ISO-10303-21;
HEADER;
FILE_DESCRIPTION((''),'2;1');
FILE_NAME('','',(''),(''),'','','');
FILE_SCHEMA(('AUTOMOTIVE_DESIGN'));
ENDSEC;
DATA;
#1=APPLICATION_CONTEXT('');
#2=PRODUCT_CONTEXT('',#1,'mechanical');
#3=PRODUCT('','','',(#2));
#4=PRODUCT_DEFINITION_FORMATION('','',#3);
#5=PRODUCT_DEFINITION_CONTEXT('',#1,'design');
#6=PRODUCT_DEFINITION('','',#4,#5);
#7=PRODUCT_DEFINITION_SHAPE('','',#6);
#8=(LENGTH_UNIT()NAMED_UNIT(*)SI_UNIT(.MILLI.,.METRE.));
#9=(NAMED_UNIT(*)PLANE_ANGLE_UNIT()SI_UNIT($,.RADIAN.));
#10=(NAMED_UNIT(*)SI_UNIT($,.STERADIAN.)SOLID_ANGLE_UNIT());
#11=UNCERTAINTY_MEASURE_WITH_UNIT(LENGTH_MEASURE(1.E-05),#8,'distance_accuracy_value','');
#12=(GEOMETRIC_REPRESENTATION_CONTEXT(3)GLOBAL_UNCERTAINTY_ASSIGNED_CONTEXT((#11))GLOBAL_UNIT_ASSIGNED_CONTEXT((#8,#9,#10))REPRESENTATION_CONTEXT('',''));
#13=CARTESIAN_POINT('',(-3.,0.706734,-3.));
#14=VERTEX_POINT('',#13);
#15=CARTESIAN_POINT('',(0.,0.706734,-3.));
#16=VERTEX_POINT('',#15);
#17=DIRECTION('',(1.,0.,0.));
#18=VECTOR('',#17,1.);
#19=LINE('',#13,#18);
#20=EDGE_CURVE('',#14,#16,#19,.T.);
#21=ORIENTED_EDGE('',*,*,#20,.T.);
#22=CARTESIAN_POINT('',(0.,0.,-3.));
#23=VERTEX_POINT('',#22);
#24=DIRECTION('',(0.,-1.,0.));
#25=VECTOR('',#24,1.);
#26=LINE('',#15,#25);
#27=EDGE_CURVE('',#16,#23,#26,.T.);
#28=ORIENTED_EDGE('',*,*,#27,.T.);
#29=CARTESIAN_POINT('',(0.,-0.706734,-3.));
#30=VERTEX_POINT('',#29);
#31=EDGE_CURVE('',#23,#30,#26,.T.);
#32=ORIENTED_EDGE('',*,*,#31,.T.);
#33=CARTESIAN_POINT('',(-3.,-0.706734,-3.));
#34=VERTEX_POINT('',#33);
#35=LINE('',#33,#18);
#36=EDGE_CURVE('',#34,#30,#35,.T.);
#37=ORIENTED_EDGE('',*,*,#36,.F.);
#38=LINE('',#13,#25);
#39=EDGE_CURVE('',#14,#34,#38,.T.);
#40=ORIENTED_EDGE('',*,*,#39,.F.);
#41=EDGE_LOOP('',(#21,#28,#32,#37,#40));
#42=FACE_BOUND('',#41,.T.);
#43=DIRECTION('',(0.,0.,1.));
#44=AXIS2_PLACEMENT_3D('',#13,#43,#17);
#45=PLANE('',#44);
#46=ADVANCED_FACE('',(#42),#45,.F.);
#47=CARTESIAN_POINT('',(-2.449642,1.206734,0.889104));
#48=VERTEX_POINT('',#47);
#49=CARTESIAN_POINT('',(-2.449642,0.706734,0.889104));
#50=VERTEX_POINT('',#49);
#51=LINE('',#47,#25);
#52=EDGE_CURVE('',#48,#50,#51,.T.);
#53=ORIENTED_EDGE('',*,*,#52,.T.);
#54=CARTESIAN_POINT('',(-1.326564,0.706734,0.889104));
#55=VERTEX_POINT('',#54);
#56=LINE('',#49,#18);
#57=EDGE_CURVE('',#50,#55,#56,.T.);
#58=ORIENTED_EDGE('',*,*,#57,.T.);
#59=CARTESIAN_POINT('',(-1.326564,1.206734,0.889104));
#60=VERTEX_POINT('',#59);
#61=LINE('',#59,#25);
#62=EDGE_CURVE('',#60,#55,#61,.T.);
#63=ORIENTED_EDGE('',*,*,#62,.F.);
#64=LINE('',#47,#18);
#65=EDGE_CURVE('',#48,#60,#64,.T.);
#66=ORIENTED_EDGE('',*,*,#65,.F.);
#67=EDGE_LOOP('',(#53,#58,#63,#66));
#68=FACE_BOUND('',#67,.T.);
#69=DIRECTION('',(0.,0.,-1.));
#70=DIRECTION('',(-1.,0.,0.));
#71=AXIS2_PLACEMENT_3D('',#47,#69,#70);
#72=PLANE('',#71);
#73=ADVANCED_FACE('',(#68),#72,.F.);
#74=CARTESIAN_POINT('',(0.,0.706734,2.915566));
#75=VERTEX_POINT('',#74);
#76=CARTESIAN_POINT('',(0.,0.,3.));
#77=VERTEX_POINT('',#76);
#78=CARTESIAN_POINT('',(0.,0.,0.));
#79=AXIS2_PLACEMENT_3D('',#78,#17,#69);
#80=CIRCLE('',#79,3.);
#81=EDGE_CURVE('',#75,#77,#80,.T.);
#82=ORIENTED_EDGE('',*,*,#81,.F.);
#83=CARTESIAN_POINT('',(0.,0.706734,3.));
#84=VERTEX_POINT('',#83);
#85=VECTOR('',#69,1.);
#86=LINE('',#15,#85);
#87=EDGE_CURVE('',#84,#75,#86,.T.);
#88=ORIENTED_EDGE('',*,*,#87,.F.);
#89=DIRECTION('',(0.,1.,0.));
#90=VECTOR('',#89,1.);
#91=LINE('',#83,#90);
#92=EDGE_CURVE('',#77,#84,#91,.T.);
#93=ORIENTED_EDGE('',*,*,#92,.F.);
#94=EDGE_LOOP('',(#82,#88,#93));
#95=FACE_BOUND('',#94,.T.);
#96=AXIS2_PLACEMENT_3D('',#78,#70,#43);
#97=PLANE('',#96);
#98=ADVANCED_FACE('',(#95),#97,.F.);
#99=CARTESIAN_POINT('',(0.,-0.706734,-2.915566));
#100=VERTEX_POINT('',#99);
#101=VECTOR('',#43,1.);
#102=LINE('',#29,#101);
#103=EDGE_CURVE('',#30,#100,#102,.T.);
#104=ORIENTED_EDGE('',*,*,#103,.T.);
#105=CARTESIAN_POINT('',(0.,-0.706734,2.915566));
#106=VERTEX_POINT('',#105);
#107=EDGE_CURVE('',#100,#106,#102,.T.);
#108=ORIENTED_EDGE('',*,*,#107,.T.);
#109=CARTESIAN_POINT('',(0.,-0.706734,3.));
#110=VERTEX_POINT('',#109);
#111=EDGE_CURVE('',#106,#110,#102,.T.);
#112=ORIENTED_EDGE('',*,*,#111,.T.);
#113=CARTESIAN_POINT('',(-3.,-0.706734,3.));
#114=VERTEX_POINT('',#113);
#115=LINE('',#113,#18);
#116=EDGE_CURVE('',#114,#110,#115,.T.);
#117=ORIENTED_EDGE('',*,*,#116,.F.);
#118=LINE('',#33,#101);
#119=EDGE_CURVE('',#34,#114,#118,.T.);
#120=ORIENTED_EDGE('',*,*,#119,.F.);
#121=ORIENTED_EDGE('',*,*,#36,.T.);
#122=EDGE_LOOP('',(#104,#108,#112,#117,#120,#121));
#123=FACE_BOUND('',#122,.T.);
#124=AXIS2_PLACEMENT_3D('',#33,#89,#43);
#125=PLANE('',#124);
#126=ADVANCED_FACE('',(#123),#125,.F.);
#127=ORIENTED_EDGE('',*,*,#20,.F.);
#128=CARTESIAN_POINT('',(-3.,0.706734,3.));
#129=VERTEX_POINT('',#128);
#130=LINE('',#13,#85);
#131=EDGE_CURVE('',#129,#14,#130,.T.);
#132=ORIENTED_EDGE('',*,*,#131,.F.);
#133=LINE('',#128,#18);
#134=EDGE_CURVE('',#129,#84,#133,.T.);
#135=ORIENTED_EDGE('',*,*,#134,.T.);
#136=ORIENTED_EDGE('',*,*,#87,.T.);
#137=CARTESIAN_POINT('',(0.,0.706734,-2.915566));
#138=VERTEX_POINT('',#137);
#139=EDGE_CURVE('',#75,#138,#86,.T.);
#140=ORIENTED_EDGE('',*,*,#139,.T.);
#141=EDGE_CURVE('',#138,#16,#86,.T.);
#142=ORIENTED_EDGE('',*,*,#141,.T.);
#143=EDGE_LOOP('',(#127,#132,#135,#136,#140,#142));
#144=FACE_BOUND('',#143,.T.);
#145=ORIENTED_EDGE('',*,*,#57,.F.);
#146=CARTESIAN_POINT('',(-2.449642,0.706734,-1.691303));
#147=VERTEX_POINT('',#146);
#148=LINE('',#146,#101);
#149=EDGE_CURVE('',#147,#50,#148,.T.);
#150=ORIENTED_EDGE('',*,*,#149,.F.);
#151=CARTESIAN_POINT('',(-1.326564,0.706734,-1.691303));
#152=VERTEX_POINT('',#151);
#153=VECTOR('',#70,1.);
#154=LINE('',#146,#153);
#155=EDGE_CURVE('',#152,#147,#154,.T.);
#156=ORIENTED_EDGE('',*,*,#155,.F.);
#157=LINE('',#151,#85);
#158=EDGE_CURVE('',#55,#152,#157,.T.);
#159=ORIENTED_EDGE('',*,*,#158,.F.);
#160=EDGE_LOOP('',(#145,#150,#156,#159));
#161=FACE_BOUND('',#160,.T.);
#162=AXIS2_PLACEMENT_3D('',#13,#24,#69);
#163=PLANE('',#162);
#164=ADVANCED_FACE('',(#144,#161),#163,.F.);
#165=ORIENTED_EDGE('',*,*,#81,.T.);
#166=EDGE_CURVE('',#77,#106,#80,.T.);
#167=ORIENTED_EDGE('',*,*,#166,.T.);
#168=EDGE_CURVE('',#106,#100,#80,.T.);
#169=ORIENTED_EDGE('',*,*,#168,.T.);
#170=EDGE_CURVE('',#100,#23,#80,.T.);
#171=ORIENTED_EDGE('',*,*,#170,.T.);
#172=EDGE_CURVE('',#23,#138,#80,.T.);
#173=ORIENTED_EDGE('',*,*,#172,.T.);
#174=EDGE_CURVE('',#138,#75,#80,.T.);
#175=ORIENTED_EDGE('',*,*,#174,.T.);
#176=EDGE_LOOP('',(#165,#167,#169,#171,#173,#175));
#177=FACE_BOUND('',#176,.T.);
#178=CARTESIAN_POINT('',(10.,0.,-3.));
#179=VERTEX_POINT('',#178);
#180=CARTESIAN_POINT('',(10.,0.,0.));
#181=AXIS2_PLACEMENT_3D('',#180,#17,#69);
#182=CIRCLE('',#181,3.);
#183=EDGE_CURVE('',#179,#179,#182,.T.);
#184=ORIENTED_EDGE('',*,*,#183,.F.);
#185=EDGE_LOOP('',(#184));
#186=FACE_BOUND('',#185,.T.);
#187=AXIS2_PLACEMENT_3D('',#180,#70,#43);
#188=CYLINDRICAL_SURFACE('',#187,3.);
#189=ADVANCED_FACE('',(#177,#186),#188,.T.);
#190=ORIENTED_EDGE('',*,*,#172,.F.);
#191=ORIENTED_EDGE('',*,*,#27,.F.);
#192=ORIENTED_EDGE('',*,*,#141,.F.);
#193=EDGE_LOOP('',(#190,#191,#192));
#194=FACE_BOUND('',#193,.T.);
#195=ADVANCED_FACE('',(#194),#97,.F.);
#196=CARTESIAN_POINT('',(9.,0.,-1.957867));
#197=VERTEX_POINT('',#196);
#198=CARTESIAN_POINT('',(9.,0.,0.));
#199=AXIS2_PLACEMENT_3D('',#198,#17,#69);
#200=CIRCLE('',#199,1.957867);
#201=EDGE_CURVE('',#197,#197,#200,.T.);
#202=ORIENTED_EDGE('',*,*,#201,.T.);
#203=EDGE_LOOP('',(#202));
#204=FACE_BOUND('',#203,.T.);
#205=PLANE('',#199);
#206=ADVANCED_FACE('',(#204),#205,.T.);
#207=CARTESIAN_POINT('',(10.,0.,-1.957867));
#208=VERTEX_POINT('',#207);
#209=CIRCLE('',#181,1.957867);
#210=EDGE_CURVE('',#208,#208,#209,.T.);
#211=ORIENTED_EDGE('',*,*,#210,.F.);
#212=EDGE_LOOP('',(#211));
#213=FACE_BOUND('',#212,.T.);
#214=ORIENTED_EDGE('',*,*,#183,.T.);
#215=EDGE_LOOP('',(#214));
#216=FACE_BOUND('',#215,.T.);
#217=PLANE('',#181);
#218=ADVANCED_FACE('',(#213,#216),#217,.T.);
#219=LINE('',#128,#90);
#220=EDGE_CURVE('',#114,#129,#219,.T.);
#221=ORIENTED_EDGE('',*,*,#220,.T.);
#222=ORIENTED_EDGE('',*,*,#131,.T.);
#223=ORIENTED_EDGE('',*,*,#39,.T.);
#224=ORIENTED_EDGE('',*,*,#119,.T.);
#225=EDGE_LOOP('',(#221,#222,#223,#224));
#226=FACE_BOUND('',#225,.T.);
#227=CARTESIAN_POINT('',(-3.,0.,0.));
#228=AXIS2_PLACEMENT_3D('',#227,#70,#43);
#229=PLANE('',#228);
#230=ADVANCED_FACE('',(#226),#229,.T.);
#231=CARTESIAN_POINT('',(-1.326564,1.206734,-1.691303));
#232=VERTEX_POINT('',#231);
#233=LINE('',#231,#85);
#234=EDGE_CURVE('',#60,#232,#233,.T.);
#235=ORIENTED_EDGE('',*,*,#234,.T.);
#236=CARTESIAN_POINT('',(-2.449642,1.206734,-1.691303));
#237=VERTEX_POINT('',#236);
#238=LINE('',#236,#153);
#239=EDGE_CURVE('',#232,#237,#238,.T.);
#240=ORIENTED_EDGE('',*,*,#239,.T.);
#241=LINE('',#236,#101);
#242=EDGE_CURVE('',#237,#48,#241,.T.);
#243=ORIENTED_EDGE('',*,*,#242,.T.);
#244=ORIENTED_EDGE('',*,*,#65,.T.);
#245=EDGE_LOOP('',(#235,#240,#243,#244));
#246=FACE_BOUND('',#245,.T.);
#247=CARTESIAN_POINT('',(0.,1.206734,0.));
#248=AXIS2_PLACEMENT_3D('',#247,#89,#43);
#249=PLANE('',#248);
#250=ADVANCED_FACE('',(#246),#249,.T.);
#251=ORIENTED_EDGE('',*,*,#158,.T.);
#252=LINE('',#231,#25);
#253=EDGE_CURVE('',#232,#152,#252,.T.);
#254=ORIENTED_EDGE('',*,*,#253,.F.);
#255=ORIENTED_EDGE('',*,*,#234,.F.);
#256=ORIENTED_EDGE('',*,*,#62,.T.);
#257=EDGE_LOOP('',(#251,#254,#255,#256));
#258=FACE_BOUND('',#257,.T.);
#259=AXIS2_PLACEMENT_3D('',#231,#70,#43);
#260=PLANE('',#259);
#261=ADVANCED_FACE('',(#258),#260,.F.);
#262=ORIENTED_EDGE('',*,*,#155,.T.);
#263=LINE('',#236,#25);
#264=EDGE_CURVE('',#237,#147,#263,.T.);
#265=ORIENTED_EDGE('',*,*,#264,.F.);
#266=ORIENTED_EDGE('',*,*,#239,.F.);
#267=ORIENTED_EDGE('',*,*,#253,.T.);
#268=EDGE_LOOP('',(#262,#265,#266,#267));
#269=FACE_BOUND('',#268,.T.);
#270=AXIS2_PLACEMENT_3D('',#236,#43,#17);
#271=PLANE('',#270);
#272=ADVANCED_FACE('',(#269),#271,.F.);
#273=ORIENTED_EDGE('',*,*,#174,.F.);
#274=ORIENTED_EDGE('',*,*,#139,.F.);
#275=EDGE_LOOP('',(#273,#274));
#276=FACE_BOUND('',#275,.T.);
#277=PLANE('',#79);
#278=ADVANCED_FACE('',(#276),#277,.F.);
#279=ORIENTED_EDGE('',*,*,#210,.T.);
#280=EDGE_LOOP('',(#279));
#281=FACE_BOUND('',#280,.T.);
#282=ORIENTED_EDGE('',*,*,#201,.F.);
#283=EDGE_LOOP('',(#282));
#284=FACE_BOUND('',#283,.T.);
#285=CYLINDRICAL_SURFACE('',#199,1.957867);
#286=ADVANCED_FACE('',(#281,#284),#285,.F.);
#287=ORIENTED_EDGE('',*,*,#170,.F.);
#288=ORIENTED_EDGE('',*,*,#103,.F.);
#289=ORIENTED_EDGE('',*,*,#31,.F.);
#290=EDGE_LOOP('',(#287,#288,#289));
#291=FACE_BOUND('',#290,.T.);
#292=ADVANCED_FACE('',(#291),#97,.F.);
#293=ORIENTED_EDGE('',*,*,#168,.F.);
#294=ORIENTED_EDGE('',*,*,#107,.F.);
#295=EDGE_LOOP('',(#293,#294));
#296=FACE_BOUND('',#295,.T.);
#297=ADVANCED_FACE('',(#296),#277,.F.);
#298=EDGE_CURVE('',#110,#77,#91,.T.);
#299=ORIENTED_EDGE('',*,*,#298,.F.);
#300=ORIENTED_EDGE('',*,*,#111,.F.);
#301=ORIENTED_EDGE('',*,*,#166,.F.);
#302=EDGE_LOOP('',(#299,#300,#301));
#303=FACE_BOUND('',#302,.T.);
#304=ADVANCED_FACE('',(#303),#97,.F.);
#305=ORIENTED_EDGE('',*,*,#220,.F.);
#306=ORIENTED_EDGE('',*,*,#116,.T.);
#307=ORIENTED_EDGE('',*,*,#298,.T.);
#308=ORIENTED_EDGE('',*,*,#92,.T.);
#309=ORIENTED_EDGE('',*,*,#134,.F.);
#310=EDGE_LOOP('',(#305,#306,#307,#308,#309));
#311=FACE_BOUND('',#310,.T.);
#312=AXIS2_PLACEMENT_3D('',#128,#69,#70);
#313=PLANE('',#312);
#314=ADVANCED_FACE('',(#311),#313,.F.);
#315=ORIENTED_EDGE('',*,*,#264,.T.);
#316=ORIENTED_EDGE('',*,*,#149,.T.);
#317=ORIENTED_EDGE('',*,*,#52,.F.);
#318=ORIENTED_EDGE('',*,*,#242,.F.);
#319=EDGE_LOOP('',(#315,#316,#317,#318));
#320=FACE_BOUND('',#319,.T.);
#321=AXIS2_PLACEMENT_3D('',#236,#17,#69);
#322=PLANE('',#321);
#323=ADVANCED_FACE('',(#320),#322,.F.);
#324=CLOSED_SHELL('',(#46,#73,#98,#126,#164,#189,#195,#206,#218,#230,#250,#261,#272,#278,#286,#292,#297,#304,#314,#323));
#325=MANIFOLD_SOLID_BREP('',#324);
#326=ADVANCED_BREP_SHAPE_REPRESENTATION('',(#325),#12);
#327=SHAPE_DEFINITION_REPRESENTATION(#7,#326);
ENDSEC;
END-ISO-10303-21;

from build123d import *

# Parameters (mm, degrees)
SKETCH1_R           = 3
BOSS_EXTRUDE1_DEPTH = 10
SKETCH2_R           = 1.957866775
CUT_EXTRUDE1_DEPTH  = 1
SKETCH3_W           = 6
SKETCH3_H           = 1.413467244
BOSS_EXTRUDE2_DEPTH = 3
SKETCH4_W           = 1.123078493
SKETCH4_H           = 2.580406537
BOSS_EXTRUDE3_DEPTH = 0.5


with BuildPart() as part:
    # Sketch1 → Boss-Extrude1 (new body)
    with BuildSketch(Plane(origin=(0, 0, 0), x_dir=(0, 0, -1), z_dir=(1, 0, 0))):
        Circle(SKETCH1_R)
    extrude(amount=BOSS_EXTRUDE1_DEPTH)

    # Sketch2 → Cut-Extrude1 (cut)
    with BuildSketch(Plane(origin=(10, 0, 0), x_dir=(0, 0, -1), z_dir=(1, 0, 0))):
        Circle(SKETCH2_R)
    extrude(amount=-CUT_EXTRUDE1_DEPTH, mode=Mode.SUBTRACT)

    # Sketch3 → Boss-Extrude2 (add)
    with BuildSketch(Plane.ZY):
        Rectangle(SKETCH3_W, SKETCH3_H)
    extrude(amount=BOSS_EXTRUDE2_DEPTH)

    # Sketch4 → Boss-Extrude3 (add)
    with BuildSketch(Plane(origin=(0, 0.706733622, 0), x_dir=(1, 0, 0), z_dir=(0, 1, 0))):
        with Locations((-1.88810277, 0.401099462)):
            Rectangle(SKETCH4_W, SKETCH4_H)
    extrude(amount=BOSS_EXTRUDE3_DEPTH)


solid = part.part
